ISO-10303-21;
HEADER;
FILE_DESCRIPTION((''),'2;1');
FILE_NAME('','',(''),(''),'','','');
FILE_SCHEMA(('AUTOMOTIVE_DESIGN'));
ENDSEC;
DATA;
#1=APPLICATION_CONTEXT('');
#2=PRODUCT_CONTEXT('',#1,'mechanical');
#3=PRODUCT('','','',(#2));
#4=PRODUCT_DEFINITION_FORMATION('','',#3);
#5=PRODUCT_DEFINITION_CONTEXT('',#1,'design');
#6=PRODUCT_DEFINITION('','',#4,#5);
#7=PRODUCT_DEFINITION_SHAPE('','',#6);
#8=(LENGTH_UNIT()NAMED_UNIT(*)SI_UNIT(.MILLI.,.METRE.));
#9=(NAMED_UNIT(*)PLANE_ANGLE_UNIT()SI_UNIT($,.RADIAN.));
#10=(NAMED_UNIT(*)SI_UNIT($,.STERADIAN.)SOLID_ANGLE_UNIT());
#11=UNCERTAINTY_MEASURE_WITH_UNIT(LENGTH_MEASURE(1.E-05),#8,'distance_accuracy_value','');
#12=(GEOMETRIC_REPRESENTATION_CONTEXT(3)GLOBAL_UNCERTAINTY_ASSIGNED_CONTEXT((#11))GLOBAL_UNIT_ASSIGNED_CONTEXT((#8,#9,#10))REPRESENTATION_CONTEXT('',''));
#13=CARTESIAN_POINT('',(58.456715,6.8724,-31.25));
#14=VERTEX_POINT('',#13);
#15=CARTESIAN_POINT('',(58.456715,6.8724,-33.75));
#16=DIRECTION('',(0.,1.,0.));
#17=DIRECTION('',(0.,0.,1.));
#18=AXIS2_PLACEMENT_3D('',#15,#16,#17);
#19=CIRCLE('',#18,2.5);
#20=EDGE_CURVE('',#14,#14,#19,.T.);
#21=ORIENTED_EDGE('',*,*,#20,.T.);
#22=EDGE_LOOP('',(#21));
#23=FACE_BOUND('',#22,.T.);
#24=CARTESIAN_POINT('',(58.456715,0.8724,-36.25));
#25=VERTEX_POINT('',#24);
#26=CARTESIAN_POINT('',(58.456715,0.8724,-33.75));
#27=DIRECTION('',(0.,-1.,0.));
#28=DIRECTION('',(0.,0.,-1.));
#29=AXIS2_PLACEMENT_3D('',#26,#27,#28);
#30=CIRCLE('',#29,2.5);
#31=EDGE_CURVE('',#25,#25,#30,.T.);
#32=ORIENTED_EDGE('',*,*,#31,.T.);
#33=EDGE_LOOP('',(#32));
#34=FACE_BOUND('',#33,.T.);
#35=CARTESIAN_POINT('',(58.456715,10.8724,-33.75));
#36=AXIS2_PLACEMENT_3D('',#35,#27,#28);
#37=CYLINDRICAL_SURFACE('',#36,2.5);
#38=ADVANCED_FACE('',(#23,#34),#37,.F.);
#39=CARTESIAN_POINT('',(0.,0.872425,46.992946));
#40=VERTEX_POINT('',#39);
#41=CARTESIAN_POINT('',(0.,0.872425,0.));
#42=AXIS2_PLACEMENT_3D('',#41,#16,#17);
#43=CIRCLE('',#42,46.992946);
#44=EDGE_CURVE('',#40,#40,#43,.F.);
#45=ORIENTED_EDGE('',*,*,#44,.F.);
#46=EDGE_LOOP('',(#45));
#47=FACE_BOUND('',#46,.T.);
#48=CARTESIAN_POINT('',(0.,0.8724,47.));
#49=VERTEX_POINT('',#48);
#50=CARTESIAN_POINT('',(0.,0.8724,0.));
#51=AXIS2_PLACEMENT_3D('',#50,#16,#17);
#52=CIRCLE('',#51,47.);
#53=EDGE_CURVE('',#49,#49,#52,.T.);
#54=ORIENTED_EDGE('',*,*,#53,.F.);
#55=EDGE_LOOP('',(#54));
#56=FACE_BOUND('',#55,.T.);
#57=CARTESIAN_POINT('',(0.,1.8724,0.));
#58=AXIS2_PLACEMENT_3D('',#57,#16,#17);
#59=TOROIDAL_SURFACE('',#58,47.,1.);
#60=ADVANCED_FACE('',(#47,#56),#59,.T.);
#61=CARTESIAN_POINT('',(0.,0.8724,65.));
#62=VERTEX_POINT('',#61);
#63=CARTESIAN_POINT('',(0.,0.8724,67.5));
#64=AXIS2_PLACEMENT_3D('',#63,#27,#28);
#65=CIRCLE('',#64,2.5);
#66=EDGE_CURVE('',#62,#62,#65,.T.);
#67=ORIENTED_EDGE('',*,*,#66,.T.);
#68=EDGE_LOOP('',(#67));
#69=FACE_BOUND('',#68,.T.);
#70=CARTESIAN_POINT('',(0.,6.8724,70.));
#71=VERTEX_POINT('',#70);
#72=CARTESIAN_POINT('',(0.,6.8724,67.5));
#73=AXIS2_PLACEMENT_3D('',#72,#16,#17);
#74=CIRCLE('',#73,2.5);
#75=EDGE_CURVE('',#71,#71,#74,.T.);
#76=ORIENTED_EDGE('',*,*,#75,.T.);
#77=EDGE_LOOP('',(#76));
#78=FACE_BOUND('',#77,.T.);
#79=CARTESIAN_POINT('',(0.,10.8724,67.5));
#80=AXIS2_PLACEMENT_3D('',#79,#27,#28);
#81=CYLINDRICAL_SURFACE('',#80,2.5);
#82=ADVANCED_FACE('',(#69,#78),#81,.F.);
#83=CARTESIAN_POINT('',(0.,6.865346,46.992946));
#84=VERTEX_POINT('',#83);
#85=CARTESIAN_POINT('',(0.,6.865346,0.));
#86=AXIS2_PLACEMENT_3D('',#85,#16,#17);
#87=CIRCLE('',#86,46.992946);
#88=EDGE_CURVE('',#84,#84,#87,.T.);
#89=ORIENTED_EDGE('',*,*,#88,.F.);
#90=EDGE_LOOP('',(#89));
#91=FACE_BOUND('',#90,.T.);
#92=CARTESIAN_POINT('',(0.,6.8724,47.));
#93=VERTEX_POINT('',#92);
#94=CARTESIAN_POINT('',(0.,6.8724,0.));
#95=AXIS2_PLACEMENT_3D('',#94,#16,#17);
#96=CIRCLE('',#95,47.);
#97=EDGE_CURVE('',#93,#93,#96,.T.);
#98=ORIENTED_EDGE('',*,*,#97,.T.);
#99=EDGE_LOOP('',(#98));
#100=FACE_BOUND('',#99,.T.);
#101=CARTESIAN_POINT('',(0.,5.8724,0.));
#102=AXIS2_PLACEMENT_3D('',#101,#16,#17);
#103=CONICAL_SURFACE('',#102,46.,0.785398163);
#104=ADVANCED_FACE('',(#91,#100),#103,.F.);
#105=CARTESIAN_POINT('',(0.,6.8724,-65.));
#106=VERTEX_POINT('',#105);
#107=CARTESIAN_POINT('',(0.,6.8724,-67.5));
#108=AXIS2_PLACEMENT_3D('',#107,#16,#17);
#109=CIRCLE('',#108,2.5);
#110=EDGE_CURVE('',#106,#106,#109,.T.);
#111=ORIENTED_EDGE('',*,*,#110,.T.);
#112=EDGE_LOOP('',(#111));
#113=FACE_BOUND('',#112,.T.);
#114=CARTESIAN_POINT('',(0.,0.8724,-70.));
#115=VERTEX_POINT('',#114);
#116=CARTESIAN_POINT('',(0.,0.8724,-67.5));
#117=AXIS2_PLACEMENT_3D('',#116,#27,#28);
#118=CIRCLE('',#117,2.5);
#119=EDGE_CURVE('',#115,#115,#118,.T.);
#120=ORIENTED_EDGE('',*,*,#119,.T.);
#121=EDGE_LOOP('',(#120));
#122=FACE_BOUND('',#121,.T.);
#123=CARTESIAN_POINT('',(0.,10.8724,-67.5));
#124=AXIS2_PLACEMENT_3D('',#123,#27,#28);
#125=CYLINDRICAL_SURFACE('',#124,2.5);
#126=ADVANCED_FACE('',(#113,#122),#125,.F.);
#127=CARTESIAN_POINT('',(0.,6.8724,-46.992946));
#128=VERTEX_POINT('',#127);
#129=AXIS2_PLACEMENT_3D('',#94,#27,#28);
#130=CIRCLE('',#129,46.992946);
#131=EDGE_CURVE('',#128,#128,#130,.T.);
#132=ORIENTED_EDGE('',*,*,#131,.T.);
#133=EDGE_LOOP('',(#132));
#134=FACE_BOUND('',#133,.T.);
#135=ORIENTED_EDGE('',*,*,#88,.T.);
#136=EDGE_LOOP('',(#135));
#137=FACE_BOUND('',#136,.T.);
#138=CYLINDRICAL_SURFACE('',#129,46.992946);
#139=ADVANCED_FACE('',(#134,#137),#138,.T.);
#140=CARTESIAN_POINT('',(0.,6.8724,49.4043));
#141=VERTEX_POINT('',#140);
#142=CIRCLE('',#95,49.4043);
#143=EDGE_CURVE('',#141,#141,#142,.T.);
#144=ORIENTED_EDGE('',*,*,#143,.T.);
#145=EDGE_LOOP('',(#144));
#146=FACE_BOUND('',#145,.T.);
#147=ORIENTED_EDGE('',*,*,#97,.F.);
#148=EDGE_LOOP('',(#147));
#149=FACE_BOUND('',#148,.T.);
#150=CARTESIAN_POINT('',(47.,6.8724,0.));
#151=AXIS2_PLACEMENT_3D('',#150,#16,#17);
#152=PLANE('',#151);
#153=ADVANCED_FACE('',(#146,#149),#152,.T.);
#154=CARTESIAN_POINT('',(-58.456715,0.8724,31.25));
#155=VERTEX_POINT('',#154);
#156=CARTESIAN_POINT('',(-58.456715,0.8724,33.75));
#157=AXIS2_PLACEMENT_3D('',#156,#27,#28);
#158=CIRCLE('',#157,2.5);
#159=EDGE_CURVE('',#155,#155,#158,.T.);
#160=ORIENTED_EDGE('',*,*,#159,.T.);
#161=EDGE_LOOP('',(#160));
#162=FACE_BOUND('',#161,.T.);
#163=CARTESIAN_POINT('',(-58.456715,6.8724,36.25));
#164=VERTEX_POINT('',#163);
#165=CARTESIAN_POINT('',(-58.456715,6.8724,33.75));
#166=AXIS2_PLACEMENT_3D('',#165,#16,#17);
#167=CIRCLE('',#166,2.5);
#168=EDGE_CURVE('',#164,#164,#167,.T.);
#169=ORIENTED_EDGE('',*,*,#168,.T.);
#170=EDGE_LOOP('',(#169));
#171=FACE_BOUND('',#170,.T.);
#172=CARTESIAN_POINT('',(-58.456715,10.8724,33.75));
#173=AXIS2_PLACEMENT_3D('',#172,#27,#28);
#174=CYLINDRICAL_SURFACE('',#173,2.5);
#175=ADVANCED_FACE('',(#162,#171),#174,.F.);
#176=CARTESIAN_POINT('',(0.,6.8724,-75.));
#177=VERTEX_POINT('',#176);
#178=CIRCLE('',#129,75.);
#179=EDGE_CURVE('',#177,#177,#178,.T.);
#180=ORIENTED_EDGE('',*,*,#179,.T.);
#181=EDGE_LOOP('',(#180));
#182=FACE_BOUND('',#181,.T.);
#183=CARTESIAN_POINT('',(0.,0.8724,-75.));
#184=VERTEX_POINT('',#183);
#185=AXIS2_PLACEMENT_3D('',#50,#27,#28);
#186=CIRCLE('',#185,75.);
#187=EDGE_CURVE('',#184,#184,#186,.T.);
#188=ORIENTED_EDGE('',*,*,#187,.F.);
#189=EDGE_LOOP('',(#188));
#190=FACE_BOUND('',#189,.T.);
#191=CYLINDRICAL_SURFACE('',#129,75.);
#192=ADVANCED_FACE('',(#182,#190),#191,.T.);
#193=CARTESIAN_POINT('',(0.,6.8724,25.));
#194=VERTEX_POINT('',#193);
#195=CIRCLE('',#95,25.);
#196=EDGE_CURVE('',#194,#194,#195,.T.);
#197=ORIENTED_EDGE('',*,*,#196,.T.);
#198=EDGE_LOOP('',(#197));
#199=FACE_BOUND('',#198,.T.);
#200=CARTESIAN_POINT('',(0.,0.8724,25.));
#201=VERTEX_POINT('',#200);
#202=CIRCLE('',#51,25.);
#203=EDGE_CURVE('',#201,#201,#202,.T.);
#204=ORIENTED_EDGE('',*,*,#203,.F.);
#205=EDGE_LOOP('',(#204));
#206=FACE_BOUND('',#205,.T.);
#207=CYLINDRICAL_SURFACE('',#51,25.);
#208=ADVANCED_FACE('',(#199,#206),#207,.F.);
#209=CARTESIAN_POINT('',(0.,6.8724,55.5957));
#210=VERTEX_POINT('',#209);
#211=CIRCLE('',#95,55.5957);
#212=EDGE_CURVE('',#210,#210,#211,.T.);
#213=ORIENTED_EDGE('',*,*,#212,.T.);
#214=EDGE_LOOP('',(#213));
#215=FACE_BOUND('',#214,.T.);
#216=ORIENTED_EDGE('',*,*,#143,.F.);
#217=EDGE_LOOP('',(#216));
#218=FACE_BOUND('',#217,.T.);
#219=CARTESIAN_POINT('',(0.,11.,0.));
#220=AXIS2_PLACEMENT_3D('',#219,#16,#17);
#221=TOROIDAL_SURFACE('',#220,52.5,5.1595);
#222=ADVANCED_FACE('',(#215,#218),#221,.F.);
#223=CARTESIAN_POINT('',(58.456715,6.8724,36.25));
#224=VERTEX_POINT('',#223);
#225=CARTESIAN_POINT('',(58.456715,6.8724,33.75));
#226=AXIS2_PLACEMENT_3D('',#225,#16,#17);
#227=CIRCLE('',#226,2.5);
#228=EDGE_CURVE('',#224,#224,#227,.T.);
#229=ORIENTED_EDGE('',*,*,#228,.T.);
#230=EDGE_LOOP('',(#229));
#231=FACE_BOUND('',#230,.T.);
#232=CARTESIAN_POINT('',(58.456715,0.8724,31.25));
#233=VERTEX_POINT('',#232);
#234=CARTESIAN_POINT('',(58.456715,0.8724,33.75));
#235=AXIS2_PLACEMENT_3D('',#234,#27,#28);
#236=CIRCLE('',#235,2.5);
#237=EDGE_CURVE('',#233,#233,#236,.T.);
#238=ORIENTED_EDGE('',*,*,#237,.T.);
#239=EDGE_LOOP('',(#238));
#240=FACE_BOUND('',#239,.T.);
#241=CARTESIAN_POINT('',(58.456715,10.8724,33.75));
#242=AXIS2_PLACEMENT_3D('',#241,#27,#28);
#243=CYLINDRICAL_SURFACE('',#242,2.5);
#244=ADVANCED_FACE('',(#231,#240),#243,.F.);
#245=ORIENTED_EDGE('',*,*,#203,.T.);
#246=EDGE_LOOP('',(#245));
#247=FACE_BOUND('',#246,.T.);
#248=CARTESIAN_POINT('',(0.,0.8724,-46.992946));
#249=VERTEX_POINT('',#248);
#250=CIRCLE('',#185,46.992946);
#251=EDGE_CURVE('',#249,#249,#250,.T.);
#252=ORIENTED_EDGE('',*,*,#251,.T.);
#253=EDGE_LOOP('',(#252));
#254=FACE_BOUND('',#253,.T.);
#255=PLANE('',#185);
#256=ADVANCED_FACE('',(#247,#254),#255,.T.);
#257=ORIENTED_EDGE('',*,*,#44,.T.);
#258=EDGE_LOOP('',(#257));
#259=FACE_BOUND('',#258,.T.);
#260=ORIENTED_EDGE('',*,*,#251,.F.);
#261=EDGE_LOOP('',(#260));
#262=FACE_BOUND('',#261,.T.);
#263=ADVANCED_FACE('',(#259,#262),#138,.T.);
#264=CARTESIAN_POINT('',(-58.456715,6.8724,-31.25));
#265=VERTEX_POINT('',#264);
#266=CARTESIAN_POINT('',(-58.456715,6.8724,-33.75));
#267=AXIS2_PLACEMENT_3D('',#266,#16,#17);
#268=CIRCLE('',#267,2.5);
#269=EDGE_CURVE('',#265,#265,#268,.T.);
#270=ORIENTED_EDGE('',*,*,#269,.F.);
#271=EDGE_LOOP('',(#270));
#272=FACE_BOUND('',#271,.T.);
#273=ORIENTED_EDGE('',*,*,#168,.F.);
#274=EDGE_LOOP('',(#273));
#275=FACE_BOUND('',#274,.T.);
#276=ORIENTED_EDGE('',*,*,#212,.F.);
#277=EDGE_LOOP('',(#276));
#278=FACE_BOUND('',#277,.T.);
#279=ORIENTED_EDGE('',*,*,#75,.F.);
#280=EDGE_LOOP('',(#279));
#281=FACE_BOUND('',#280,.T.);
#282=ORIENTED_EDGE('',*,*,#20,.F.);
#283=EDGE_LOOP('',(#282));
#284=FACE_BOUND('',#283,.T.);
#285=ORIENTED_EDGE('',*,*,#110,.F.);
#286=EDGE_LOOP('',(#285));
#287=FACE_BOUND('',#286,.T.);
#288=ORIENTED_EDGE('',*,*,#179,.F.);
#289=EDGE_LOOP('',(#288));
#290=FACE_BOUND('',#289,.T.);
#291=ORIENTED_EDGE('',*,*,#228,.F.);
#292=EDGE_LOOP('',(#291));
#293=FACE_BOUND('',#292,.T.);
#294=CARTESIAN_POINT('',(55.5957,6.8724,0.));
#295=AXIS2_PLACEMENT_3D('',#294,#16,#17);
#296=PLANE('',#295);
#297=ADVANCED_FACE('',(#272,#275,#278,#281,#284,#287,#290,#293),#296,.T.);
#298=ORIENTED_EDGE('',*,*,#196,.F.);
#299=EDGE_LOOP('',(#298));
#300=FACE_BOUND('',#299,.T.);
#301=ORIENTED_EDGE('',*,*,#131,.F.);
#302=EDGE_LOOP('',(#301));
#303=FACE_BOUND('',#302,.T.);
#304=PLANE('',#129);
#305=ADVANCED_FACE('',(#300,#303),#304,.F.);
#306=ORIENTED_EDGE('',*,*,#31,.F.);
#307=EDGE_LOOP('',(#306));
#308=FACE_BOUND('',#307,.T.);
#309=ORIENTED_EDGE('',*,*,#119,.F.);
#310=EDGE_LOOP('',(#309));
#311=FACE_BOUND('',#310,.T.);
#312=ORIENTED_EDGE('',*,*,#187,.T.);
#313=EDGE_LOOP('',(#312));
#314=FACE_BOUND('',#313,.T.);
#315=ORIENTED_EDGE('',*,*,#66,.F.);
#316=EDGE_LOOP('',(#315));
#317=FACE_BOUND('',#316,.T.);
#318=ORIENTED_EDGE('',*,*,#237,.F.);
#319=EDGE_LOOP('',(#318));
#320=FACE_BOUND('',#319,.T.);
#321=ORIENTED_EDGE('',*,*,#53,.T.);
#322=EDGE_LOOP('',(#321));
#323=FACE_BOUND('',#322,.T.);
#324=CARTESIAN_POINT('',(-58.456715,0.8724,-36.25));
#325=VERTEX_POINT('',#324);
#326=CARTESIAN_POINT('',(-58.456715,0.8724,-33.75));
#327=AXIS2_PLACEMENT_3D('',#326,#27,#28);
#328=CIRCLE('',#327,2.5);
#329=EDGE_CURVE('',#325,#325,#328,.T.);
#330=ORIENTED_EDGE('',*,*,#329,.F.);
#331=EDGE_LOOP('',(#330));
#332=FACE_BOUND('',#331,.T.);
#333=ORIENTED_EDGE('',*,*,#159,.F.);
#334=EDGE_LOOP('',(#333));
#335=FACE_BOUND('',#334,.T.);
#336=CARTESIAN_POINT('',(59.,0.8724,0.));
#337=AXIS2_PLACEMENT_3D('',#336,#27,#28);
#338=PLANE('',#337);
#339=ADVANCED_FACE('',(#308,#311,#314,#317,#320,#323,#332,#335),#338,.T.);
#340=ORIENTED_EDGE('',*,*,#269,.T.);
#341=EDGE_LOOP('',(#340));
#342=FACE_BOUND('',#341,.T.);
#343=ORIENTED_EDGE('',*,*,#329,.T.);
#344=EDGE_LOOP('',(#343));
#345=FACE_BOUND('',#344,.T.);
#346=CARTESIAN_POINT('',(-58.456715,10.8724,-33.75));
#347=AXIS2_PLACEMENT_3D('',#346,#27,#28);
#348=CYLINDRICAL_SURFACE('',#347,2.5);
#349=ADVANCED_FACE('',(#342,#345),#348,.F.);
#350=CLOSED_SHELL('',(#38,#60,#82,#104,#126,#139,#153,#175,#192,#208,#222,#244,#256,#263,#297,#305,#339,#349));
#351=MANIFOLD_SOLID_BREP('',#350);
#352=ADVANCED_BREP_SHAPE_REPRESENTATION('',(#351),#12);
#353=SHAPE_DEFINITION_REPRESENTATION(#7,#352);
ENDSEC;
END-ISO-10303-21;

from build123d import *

# Parameters (mm, degrees)
SKETCH2_R           = 75
SKETCH2_R_2         = 59
SKETCH2_R_3         = 46.992946112
BOSS_EXTRUDE1_DEPTH = 6
SKETCH8_R           = 25
CUT_EXTRUDE4_DEPTH  = 6
SKETCH9_R           = 2.5
CUT_EXTRUDE5_DEPTH  = 10


with BuildPart() as part:
    # Sketch1 → Revolve1 (revolve)
    with BuildSketch(Plane(origin=(0, 0, 0), x_dir=(-1, 0, 0), z_dir=(0, 0, -1)), mode=Mode.PRIVATE) as revolve1_sk:
        with BuildLine():
            Line((-59, 0.8724), (-47, 0.8724))
            ThreePointArc((-47, 0.8724), (-46.292893219, 1.165293219), (-46, 1.8724))
            Line((-46, 1.8724), (-46, 5.8724))
            Line((-46, 5.8724), (-47, 6.8724))
            Line((-47, 6.8724), (-49.4043, 6.8724))
            ThreePointArc((-49.4043, 6.8724), (-52.5, 5.8405), (-55.5957, 6.8724))
            Line((-55.5957, 6.8724), (-59, 6.8724))
            Line((-59, 6.8724), (-60, 5.8724))
            Line((-60, 5.8724), (-60, 1.8724))
            ThreePointArc((-60, 1.8724), (-59.707106781, 1.165293219), (-59, 0.8724))
        make_face()
    revolve(revolve1_sk.sketch.rotate(Axis((0, 0, 0), (0, 1, 0)), 270), axis=Axis((0, 0, 0), (0, 1, 0)))

    # Sketch2 → Boss-Extrude1 (add)
    # profile 1 of 2: a face of its own
    with BuildSketch(Plane.XZ.offset(-0.8724)):
        with Locations(Location((0, 0, 0), (0, 0, 270))):
            Circle(SKETCH2_R)
        Circle(SKETCH2_R_2, mode=Mode.SUBTRACT)
    # profile 2 of 2: a face of its own
    with BuildSketch(Plane.XZ.offset(-0.8724)):
        with Locations(Location((0, 0, 0), (0, 0, 270))):
            Circle(SKETCH2_R_3)
    extrude(amount=-BOSS_EXTRUDE1_DEPTH)

    # Sketch8 → Cut-Extrude4 (cut)
    with BuildSketch(Plane(origin=(0, 6.8724, 0), x_dir=(1, 0, 0), z_dir=(0, 1, 0))):
        with Locations(Location((0, 0, 0), (0, 0, 270))):
            Circle(SKETCH8_R)
    extrude(amount=-CUT_EXTRUDE4_DEPTH, mode=Mode.SUBTRACT)

    # Sketch9 → Cut-Extrude5 (cut)
    with BuildSketch(Plane.XZ.offset(-0.8724)):
        with Locations(Location((0, 67.5, 0), (0, 0, 270))):
            Circle(SKETCH9_R)
        with Locations(Location((58.456714755, 33.75, 0), (0, 0, 270))):
            Circle(SKETCH9_R)
        with Locations(Location((58.456714755, -33.75, 0), (0, 0, 270))):
            Circle(SKETCH9_R)
        with Locations(Location((0, -67.5, 0), (0, 0, 270))):
            Circle(SKETCH9_R)
        with Locations(Location((-58.456714755, -33.75, 0), (0, 0, 270))):
            Circle(SKETCH9_R)
        with Locations(Location((-58.456714755, 33.75, 0), (0, 0, 270))):
            Circle(SKETCH9_R)
    extrude(amount=-CUT_EXTRUDE5_DEPTH, mode=Mode.SUBTRACT)


solid = part.part
